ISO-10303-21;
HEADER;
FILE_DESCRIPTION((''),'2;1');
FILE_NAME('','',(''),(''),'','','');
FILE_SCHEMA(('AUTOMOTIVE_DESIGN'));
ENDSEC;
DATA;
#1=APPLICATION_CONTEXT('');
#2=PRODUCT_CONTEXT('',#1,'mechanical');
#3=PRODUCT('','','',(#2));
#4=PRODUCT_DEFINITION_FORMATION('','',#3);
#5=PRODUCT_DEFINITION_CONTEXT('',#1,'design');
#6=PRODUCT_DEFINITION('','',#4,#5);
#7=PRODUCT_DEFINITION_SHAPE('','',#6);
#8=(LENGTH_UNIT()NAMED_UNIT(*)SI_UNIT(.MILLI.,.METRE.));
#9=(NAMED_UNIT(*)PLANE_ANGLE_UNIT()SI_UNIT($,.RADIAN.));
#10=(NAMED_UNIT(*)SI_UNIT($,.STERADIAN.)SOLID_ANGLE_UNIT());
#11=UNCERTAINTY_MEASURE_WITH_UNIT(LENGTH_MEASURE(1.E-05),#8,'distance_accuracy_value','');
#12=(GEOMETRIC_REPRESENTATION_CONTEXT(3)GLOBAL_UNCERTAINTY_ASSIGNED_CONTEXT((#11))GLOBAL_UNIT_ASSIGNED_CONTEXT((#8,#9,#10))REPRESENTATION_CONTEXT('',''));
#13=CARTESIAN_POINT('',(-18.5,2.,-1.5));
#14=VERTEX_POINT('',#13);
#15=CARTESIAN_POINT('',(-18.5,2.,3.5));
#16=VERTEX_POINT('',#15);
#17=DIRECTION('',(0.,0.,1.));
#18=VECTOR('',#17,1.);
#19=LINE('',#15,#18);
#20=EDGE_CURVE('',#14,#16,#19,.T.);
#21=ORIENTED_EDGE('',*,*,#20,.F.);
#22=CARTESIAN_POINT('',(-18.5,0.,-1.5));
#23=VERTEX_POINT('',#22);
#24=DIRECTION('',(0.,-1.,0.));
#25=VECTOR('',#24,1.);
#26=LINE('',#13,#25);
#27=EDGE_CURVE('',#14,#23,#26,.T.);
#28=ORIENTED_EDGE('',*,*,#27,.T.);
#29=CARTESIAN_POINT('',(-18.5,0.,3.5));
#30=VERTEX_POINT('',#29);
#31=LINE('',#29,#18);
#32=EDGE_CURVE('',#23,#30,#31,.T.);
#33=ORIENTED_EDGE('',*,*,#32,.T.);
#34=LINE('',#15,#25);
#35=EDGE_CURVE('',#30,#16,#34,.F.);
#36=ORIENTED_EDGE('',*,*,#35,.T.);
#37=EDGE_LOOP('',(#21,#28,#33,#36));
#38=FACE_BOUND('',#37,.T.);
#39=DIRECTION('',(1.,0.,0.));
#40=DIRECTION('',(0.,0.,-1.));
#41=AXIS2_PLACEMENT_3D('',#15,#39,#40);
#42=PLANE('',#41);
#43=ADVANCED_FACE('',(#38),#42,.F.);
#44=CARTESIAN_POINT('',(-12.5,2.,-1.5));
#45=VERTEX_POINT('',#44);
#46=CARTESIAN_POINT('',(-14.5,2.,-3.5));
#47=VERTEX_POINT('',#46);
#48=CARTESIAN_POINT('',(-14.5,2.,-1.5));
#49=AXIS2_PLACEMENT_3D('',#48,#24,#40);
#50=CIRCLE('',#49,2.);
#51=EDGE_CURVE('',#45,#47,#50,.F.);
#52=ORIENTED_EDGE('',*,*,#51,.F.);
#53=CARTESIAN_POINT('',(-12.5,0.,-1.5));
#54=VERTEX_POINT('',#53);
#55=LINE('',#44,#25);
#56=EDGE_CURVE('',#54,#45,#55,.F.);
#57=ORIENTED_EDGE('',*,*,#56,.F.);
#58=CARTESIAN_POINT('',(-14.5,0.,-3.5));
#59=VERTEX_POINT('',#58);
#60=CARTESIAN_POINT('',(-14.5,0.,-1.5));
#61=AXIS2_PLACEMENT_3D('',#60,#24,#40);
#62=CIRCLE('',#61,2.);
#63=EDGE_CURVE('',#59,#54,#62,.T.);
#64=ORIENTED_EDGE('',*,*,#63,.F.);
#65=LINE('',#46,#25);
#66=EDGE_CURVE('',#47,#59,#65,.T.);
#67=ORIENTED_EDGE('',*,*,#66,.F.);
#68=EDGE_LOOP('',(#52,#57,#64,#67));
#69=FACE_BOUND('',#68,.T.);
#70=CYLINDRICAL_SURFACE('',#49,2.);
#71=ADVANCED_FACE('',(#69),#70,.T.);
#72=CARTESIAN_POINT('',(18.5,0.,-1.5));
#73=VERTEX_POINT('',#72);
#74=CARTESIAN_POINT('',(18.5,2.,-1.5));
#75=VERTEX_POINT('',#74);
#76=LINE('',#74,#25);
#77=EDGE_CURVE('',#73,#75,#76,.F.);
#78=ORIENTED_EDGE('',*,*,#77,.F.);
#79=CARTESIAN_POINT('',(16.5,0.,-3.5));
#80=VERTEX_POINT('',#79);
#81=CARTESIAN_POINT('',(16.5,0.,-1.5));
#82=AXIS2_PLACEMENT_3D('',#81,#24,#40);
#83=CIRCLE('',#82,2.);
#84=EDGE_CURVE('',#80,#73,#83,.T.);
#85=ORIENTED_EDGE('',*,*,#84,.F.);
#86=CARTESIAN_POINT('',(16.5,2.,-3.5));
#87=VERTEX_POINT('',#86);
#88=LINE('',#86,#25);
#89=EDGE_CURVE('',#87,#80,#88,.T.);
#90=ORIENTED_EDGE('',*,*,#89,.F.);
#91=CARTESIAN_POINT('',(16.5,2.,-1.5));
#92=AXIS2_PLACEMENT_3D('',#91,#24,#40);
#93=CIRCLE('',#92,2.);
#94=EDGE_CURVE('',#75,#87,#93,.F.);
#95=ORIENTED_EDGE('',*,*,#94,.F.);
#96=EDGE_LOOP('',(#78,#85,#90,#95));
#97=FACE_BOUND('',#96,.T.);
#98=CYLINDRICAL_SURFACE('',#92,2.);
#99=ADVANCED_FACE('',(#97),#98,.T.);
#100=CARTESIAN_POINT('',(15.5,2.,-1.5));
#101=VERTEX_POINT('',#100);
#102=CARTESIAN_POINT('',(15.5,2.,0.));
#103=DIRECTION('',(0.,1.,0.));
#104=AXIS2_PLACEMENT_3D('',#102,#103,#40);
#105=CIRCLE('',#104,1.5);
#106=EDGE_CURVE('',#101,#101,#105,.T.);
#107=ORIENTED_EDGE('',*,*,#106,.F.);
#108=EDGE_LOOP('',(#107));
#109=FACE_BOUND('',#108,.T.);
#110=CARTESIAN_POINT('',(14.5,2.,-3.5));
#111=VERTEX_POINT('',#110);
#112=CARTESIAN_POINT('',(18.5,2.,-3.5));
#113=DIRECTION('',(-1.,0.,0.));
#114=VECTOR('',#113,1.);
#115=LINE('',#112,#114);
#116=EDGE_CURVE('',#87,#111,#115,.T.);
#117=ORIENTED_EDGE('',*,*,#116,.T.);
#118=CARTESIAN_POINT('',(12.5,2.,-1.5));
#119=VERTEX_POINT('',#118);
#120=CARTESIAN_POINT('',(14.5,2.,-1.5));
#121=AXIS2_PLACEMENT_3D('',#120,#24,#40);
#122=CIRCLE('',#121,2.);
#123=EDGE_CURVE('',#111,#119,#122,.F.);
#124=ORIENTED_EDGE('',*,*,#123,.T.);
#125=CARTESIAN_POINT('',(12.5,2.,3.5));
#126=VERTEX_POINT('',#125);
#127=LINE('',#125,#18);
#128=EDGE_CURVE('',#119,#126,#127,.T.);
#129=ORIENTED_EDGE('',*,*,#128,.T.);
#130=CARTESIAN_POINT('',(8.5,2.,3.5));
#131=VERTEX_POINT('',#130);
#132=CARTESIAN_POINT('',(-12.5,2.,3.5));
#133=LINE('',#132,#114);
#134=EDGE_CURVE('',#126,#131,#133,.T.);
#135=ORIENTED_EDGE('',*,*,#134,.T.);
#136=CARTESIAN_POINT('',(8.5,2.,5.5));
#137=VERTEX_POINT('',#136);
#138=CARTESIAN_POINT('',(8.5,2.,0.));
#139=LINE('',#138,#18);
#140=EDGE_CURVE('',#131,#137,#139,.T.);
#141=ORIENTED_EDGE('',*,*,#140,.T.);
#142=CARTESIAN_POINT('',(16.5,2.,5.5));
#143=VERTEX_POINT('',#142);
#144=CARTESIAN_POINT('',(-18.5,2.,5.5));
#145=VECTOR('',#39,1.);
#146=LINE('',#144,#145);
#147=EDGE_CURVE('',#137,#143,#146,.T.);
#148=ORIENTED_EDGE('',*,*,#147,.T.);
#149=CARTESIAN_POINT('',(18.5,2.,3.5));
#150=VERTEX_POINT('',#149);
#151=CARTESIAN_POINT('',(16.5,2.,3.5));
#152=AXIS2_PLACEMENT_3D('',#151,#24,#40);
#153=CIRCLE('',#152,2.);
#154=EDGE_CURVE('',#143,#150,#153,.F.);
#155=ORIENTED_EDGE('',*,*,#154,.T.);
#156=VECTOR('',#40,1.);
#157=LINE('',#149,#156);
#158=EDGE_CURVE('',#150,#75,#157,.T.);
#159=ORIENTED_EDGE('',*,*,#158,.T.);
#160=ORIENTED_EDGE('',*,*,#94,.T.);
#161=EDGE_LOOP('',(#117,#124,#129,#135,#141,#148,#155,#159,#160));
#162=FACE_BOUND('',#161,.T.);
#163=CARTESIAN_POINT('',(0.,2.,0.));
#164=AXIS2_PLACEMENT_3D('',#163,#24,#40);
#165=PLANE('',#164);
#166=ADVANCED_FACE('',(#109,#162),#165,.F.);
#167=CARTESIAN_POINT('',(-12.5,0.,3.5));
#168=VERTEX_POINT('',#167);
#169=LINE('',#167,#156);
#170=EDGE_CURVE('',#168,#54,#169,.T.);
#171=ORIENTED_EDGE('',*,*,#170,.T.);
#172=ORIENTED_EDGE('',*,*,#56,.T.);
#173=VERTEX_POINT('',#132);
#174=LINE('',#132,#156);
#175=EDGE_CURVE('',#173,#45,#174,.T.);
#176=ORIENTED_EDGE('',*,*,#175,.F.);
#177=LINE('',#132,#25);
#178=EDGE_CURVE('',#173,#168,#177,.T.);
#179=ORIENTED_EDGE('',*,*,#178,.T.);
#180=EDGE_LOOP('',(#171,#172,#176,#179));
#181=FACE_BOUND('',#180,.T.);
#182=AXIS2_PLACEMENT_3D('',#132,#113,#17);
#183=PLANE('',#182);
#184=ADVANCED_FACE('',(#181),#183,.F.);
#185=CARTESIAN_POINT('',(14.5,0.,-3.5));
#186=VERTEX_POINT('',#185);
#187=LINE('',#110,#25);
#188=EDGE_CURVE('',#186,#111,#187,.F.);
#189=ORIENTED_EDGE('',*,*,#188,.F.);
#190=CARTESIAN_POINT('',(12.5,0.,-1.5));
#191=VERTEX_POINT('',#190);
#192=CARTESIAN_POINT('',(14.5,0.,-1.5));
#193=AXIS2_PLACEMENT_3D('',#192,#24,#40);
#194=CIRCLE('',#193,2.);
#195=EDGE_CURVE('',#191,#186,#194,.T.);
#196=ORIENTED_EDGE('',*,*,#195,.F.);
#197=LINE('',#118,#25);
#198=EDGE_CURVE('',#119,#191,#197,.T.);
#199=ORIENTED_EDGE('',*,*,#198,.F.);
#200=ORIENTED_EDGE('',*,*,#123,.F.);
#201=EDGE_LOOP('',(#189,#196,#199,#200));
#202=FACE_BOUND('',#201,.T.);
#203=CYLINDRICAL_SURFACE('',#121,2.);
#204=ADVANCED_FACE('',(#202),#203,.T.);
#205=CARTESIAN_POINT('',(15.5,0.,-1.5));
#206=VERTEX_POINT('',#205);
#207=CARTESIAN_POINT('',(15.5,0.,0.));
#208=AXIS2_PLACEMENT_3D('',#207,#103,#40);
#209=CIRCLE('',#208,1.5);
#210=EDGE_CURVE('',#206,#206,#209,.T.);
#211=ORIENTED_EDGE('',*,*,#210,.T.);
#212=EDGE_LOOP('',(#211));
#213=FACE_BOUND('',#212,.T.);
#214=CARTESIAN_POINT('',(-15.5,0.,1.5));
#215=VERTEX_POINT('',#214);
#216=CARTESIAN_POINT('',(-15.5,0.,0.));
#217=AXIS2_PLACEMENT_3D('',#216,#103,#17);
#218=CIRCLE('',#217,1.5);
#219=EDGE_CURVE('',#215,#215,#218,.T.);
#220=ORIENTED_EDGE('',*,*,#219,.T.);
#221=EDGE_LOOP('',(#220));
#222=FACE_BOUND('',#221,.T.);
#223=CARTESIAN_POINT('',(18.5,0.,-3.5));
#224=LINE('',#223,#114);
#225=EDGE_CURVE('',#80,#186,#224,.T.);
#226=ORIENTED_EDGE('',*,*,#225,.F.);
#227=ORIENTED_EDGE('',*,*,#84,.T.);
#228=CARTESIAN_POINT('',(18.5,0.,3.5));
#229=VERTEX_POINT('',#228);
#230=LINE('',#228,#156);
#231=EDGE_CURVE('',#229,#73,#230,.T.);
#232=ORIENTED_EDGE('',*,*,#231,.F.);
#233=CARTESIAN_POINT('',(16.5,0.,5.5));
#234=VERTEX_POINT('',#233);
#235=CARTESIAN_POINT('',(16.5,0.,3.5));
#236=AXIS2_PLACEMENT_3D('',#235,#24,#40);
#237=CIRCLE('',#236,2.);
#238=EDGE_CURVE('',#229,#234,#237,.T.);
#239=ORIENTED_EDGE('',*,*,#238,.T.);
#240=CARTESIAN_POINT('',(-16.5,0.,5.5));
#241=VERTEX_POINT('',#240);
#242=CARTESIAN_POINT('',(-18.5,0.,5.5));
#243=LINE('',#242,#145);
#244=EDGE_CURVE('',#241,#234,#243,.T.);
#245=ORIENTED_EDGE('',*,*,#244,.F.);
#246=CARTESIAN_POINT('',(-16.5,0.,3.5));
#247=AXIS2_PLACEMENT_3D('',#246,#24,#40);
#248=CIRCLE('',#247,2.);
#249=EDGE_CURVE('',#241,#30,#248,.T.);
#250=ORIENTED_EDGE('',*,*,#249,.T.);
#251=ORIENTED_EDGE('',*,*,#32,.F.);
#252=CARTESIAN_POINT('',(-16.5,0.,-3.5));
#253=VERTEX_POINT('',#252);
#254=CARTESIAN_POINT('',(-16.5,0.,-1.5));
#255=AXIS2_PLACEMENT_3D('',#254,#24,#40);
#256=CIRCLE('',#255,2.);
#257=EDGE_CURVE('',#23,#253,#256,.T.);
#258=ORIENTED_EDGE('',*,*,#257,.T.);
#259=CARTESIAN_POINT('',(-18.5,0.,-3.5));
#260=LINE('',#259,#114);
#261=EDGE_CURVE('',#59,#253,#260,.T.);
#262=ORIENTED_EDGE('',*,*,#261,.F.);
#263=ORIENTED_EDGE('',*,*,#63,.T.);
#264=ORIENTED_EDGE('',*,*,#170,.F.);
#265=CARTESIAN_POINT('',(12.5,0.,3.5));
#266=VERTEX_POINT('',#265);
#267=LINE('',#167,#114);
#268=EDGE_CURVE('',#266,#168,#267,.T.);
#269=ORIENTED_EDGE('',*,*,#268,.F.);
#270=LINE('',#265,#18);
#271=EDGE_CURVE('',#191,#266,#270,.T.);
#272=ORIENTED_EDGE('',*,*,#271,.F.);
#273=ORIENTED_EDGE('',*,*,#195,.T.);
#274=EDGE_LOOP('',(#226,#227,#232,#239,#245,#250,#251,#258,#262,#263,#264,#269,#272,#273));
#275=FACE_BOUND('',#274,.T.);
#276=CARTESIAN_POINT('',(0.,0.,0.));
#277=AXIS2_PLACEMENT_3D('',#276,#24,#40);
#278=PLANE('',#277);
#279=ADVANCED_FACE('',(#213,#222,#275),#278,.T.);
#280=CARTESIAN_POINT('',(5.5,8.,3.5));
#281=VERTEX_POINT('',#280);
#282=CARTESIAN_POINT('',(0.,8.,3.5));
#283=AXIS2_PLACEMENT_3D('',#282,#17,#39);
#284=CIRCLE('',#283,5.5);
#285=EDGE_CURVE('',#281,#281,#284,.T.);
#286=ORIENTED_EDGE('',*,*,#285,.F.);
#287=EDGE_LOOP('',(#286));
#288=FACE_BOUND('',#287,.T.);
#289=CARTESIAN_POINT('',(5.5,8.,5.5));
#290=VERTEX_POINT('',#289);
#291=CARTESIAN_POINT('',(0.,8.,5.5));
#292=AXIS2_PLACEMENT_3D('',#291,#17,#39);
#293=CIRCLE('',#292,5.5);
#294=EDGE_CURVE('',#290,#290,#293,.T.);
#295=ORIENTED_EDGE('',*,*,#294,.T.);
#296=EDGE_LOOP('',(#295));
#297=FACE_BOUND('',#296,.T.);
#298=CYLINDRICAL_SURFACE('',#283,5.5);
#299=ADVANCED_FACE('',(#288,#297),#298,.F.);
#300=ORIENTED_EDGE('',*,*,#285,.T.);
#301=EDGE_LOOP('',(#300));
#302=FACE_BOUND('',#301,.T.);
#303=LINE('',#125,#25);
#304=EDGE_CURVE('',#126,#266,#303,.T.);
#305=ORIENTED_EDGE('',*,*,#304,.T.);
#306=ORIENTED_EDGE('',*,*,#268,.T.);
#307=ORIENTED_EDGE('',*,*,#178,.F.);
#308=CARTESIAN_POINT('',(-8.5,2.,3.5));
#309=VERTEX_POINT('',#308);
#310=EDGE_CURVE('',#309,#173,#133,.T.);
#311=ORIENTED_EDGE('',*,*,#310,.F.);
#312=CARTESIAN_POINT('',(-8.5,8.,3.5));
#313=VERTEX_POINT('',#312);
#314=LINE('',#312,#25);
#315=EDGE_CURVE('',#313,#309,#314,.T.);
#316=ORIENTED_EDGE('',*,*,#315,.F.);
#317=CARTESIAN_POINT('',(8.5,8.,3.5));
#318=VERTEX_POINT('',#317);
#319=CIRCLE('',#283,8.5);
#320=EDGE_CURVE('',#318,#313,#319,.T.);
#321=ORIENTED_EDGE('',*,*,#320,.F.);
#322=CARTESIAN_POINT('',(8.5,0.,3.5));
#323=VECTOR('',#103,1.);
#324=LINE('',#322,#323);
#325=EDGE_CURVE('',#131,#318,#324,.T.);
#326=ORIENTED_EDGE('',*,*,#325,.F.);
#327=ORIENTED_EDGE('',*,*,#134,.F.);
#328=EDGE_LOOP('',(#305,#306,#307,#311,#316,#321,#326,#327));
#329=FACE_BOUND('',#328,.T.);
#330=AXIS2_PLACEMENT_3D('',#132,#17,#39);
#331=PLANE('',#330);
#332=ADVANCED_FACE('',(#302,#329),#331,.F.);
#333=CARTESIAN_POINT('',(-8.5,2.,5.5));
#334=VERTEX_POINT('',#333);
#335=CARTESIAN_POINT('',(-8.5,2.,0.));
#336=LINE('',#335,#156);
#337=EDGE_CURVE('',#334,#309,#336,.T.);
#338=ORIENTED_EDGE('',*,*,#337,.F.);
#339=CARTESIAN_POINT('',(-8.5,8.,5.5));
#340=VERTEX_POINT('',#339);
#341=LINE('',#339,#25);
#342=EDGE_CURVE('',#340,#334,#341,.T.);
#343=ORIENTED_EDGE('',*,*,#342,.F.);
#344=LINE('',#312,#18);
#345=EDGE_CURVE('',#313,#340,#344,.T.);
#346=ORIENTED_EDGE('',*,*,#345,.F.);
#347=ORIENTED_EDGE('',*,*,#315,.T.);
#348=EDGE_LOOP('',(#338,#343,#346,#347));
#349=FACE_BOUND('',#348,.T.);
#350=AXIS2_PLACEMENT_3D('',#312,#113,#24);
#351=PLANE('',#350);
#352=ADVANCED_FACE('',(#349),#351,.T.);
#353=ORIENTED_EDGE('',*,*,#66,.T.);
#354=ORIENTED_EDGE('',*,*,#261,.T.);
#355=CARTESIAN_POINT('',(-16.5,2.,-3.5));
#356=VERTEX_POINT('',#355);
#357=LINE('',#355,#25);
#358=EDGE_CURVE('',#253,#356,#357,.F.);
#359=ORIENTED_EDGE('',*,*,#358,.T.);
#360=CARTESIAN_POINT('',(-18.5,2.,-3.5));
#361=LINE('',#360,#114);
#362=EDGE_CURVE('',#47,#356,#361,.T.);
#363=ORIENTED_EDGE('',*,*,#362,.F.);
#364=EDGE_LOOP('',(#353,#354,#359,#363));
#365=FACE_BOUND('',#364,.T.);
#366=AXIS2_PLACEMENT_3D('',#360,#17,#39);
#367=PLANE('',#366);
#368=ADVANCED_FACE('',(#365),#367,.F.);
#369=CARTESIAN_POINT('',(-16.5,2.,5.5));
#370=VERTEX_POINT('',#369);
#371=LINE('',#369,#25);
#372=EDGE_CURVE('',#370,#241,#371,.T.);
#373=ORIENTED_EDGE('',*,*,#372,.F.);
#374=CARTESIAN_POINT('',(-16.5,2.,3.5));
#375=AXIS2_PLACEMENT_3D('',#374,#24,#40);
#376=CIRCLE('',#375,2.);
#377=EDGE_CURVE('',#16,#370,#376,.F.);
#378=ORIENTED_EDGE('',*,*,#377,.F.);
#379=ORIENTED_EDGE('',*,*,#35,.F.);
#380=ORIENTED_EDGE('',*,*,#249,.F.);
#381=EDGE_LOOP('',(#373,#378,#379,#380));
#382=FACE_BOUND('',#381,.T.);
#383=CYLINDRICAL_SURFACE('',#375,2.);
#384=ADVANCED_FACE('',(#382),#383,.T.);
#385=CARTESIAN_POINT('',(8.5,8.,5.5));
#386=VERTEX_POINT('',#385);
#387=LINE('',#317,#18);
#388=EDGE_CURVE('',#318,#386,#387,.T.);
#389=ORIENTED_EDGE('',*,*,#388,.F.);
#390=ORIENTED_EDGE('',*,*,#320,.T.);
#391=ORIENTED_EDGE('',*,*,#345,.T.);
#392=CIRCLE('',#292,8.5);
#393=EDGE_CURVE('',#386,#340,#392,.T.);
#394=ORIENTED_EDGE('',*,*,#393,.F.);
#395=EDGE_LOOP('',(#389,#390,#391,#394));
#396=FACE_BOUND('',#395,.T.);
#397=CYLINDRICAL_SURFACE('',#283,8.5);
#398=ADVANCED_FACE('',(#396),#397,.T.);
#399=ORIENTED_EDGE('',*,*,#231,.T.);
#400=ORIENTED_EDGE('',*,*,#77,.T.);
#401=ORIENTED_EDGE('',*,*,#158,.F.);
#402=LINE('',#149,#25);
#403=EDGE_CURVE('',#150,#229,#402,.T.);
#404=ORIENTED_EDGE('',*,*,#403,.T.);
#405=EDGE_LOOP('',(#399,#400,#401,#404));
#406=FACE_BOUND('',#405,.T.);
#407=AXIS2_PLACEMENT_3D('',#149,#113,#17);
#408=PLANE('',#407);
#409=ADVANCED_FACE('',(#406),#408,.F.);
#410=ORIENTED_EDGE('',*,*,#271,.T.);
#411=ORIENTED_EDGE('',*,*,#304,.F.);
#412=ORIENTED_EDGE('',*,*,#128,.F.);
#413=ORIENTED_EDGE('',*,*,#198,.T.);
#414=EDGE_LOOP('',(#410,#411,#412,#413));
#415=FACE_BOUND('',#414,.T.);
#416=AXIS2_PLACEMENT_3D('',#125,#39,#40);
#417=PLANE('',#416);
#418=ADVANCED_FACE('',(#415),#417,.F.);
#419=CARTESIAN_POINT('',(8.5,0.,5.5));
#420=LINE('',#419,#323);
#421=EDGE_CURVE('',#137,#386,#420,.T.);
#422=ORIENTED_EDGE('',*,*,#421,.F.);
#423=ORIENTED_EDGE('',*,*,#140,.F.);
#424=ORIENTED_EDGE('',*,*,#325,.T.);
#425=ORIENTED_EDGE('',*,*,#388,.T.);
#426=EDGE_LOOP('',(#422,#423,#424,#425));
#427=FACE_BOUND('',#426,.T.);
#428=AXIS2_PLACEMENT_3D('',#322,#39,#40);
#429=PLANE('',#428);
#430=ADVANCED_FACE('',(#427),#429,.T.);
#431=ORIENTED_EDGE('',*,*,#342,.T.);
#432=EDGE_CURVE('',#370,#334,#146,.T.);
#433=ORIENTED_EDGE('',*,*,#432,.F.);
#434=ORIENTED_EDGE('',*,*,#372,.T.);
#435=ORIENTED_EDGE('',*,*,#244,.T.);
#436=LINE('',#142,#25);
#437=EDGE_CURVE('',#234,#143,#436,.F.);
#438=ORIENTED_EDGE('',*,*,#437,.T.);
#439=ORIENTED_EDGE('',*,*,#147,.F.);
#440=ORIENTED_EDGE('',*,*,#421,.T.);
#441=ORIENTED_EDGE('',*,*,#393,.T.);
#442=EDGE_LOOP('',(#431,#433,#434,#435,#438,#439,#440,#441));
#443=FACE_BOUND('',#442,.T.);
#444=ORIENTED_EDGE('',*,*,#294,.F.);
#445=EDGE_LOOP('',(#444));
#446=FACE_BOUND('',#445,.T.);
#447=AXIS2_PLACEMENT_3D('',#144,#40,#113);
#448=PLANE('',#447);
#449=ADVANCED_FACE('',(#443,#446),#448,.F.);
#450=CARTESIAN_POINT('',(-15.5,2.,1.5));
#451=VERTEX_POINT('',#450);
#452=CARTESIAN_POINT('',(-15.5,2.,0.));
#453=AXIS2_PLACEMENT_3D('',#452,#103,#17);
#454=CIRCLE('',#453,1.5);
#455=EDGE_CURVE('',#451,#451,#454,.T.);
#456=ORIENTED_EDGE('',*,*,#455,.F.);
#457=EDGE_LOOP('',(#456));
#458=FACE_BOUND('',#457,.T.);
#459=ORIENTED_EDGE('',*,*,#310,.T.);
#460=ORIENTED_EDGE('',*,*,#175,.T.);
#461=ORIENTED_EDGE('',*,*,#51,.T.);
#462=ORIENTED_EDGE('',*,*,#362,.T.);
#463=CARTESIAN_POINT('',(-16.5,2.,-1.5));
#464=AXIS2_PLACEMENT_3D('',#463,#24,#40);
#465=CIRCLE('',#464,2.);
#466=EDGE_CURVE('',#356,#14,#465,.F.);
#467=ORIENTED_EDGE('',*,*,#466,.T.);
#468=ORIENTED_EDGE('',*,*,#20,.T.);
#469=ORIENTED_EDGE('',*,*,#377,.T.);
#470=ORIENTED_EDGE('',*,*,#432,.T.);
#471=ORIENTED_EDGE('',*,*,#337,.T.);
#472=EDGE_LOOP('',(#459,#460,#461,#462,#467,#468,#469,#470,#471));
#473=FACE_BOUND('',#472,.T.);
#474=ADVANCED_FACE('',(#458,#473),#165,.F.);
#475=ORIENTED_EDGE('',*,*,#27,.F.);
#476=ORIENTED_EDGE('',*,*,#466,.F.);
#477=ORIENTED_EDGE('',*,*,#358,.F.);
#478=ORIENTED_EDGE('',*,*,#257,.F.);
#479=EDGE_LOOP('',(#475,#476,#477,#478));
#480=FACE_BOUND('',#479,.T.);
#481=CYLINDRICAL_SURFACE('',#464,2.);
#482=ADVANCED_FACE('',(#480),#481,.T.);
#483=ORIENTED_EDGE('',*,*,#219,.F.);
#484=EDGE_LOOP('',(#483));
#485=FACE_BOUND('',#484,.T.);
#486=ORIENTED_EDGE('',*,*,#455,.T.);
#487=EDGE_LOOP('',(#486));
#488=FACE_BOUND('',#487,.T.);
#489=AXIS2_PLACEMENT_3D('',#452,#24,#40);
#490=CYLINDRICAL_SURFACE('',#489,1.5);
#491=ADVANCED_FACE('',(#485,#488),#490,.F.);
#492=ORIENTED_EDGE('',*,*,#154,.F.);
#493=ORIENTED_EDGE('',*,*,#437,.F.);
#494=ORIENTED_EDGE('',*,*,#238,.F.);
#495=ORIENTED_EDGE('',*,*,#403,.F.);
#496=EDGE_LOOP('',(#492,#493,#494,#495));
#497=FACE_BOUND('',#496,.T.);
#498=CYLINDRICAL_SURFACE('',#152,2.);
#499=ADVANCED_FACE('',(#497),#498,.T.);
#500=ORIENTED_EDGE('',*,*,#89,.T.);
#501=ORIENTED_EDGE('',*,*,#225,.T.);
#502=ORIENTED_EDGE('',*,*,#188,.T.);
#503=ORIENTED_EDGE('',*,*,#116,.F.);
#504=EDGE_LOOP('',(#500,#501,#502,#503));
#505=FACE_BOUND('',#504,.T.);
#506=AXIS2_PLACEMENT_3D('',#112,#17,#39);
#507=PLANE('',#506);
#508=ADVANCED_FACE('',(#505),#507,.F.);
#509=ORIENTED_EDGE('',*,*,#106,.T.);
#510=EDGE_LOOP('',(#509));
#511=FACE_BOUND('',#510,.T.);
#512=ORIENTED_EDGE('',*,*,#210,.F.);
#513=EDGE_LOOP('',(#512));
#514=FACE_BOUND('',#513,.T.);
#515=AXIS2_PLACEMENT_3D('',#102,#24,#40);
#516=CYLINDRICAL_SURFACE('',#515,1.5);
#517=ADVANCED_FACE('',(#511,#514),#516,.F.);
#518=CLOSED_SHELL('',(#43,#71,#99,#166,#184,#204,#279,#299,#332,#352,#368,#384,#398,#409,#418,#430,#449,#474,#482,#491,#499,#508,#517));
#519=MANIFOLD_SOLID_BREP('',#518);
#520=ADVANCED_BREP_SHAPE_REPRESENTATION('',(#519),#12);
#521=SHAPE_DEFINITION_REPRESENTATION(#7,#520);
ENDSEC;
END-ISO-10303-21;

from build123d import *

# Parameters (mm, degrees)
SKETCH_1_R      = 1.5
EXTRUDE_1_DEPTH = 2
SKETCH_2_R      = 5.5
EXTRUDE_2_DEPTH = 2
FILLET_1_R      = 2


with BuildPart() as part:
    # 草图1 → 凸台-拉伸1 (new body)
    with BuildSketch(Plane(origin=(0, 0, 0), x_dir=(1, 0, 0), z_dir=(0, 1, 0))):
        Polygon((-12.5, -3.5), (12.5, -3.5), (12.5, 3.5), (18.5, 3.5), (18.5, -3.5), (18.5, -5.5), (-18.5, -5.5), (-18.5, -3.5), (-18.5, 3.5), (-12.5, 3.5), align=None)
        with Locations(Location((-15.5, 0, 0), (0, 0, 270))):
            Circle(SKETCH_1_R, mode=Mode.SUBTRACT)
        with Locations(Location((15.5, 0, 0), (0, 0, 90))):
            Circle(SKETCH_1_R, mode=Mode.SUBTRACT)
    extrude(amount=EXTRUDE_1_DEPTH)

    # 草图2 → 凸台-拉伸2 (add)
    with BuildSketch(Plane.XY.offset(5.5)):
        with BuildLine():
            Line((-8.5, 8), (-8.5, 0))
            Line((-8.5, 0), (8.5, 0))
            Line((8.5, 0), (8.5, 8))
            ThreePointArc((8.5, 8), (0, 16.5), (-8.5, 8))
        make_face()
        with Locations((0, 8)):
            Circle(SKETCH_2_R, mode=Mode.SUBTRACT)
    extrude(amount=-EXTRUDE_2_DEPTH)

    # 圆角1
    fillet_1_edges = [part.edges().sort_by_distance(p)[0] for p in [
        (12.5, 1, -3.5),
        (18.5, 1, -3.5),
        (18.5, 1, 5.5),
        (-18.5, 1, 5.5),
        (-18.5, 1, -3.5),
        (-12.5, 1, -3.5),
    ]]
    fillet(fillet_1_edges, radius=FILLET_1_R)


solid = part.part
